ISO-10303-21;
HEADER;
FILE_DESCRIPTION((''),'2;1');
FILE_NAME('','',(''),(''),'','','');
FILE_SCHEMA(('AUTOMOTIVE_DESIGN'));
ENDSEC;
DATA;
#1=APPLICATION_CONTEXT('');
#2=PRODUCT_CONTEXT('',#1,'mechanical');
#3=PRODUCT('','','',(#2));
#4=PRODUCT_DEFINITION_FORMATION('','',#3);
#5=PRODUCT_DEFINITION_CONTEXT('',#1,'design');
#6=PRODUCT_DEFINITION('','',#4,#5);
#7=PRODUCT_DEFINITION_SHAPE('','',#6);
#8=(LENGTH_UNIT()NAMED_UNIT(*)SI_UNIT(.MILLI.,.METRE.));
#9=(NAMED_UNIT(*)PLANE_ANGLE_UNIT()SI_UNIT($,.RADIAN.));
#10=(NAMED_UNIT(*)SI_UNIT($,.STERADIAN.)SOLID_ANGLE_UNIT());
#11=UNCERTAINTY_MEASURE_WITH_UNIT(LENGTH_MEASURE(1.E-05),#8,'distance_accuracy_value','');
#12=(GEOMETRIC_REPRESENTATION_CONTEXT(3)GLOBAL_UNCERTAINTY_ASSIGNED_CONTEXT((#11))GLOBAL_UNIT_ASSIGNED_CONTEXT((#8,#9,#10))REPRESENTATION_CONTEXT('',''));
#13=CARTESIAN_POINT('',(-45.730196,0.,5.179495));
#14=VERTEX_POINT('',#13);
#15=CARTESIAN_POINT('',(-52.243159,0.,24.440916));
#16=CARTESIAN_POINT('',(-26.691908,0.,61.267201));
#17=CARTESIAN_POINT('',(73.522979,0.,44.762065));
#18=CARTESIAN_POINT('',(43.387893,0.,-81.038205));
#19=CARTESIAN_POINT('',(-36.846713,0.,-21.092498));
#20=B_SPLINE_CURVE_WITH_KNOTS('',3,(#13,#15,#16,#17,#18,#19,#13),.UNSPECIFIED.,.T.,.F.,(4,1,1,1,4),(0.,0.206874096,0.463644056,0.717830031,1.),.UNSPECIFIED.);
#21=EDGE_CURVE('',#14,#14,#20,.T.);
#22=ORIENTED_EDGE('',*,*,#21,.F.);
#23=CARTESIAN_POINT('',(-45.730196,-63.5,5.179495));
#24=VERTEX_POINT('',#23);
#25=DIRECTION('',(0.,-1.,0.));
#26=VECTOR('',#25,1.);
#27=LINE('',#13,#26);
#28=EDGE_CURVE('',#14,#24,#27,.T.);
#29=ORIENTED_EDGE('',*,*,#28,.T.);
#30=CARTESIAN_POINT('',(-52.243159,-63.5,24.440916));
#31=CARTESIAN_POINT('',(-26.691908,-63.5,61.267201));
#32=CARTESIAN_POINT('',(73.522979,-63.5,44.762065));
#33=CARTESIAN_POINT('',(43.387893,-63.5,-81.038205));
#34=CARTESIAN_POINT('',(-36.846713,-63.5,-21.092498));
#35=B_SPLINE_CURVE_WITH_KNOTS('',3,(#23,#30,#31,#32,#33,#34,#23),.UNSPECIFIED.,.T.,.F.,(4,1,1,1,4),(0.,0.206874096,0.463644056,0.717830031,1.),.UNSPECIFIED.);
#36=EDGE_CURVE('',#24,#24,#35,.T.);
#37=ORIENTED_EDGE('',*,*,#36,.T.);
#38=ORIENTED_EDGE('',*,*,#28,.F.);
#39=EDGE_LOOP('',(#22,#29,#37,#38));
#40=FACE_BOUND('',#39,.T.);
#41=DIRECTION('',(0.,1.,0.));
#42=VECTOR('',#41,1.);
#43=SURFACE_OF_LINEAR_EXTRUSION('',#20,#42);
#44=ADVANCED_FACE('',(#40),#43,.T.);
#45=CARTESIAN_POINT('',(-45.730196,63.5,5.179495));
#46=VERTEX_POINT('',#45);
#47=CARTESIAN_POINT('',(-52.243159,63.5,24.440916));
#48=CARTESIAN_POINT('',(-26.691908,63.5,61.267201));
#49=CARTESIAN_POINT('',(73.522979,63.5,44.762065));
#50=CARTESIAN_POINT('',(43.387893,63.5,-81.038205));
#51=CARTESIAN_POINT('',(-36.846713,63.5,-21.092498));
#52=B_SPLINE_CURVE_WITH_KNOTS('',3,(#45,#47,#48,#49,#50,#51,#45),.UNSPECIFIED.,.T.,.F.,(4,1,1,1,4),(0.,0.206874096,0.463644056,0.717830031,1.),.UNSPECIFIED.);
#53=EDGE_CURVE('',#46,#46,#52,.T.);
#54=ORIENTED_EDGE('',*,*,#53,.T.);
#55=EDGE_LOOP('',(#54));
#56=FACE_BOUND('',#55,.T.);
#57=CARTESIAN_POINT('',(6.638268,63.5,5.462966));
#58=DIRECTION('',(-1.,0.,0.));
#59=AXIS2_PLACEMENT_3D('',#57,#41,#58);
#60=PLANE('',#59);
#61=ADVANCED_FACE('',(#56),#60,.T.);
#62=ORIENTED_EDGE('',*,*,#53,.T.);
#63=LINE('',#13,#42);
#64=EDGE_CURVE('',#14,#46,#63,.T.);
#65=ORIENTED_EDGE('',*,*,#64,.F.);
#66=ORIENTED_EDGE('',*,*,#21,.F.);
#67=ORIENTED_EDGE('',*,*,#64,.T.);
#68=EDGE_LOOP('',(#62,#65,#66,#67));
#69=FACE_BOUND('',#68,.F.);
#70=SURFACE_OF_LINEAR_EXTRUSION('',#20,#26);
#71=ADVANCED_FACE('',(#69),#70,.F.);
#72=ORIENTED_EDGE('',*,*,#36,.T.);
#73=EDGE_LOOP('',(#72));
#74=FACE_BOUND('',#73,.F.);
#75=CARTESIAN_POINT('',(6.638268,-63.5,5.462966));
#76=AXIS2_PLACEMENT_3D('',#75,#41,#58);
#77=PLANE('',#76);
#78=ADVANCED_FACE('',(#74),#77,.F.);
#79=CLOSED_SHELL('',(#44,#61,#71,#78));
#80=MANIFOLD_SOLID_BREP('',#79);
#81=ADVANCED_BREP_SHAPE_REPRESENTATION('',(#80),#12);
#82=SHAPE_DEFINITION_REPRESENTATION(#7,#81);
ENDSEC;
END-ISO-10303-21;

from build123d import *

# Parameters (mm, degrees)
F1_DEPTH = 63.5


with BuildPart() as f1:
    # F0 (on Front) → F1 (new body, symmetric)
    with BuildSketch(Plane.XZ):
        with BuildLine():
            add(Edge.make_bspline(
                [(-45.7301959395, 5.1794946194), (-52.2431589524, 24.4409162157), (-26.6919075987, 61.2672013256), (73.5229791443, 44.7620645963), (43.3878933397, -81.0382053945), (-36.8467127023, -21.0924979497), (-45.7301959395, 5.1794946194)],
                knots=[0, 0, 0, 0, 0.2068740965, 0.4636440556, 0.7178300314, 1, 1, 1, 1], degree=3))
        make_face()
    extrude(amount=F1_DEPTH, both=True)


solid = f1.part
